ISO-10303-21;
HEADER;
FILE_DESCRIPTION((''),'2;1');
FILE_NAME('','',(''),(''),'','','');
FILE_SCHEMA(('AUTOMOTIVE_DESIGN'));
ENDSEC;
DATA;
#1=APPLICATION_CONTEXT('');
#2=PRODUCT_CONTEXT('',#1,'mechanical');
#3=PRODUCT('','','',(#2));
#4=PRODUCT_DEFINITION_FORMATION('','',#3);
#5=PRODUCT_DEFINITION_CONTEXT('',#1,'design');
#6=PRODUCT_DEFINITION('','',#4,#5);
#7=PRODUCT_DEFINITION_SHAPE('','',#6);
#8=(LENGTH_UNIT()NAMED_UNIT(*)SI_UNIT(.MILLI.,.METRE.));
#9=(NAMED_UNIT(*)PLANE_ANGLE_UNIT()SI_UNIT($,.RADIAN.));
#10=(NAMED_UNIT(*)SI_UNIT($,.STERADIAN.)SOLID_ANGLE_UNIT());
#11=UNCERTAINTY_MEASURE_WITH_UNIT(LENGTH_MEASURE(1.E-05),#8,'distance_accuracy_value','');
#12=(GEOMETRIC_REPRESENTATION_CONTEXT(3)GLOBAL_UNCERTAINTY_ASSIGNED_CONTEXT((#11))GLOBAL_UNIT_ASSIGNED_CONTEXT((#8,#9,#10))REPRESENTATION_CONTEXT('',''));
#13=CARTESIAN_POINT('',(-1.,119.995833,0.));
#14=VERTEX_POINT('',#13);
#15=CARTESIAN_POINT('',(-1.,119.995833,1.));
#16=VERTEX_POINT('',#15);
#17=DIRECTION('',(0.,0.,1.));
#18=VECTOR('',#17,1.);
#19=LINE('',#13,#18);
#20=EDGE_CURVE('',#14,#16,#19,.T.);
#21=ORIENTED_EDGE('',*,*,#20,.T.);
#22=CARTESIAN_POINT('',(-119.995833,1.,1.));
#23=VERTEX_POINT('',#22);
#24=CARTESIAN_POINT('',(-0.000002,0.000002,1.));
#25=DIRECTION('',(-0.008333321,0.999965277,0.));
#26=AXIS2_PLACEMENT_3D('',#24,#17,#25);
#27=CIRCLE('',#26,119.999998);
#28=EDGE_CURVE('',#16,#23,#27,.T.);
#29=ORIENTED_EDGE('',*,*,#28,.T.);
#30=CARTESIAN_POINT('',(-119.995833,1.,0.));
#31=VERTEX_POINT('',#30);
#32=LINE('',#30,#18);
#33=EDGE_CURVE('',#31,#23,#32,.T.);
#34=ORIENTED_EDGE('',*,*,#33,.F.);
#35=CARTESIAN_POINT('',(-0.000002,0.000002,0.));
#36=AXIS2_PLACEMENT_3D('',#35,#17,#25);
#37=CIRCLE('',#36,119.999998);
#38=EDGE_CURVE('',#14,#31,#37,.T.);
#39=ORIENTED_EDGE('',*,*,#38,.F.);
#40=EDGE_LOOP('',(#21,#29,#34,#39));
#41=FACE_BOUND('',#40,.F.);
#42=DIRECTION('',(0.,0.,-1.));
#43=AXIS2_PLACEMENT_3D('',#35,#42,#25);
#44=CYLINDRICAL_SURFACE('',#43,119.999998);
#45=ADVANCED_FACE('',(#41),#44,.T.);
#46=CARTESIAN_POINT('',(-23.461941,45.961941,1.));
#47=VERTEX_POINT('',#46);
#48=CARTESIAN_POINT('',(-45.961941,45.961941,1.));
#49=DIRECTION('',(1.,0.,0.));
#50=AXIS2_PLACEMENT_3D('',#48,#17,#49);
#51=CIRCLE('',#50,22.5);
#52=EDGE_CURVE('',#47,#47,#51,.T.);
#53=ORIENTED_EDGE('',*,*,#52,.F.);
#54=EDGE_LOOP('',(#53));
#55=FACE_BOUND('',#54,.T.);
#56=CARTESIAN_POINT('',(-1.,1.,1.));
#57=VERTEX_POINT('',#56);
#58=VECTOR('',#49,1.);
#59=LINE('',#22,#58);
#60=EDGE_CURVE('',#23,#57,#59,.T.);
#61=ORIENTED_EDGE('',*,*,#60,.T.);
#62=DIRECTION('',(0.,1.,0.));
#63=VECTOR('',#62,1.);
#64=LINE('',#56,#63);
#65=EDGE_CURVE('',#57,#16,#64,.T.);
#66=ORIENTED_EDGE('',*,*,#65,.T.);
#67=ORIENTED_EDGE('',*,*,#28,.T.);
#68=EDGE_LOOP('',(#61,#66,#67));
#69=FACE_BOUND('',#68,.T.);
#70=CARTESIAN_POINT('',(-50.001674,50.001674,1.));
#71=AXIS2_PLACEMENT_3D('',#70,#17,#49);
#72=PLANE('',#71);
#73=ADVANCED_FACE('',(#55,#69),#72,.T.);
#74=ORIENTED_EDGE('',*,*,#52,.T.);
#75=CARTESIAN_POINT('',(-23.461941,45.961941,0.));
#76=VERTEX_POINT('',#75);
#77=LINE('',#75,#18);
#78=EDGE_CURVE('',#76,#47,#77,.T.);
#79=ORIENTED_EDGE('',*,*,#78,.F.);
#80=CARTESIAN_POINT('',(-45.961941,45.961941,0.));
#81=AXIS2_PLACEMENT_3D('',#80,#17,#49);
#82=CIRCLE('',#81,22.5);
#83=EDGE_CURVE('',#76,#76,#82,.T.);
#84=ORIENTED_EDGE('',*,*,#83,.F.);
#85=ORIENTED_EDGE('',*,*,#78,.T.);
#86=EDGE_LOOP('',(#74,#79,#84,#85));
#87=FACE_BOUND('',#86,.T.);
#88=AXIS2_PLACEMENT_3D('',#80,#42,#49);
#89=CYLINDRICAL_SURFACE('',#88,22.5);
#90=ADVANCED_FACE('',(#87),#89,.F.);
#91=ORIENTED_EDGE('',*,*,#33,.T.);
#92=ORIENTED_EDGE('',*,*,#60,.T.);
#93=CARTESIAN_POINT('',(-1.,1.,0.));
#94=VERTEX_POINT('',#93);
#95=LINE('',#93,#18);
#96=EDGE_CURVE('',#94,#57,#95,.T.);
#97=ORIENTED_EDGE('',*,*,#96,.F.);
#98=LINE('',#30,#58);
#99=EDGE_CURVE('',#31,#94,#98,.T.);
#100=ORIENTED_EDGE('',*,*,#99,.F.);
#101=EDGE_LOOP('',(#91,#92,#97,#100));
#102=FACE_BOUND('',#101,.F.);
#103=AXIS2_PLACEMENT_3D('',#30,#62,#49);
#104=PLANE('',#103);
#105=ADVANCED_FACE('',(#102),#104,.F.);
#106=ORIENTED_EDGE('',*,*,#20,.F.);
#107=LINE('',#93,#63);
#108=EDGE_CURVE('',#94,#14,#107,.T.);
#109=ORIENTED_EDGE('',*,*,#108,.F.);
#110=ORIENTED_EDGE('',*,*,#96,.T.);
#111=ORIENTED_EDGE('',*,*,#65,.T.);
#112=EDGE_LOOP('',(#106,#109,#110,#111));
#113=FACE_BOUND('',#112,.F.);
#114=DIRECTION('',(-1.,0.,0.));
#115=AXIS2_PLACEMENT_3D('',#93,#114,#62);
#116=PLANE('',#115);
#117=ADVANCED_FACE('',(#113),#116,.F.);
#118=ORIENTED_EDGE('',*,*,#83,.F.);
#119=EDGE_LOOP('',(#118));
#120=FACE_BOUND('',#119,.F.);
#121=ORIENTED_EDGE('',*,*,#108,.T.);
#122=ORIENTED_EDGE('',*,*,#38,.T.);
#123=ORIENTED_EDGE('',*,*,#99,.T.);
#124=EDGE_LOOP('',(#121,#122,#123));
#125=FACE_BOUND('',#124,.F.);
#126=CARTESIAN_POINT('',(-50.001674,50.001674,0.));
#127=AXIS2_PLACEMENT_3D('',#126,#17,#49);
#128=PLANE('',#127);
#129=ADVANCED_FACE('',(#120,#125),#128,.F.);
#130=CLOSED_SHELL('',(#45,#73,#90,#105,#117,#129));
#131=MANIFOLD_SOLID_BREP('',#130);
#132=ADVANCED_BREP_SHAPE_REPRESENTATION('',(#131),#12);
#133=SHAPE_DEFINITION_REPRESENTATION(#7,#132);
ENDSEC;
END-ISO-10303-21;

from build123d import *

# Parameters (mm, degrees)
F0_R     = 22.5
F1_DEPTH = 1


with BuildPart() as f1:
    # F0 (on Top) → F1 (new body)
    with BuildSketch(Plane.XY):
        with BuildLine():
            Line((-1, 1), (-1, 119.995833))
            ThreePointArc((-1, 119.995833), (-84.852814, 84.852814), (-119.995833, 1))
            Line((-119.995833, 1), (-1, 1))
        make_face()
        with Locations((-45.961941, 45.961941)):
            Circle(F0_R, mode=Mode.SUBTRACT)
    extrude(amount=F1_DEPTH)


solid = f1.part
